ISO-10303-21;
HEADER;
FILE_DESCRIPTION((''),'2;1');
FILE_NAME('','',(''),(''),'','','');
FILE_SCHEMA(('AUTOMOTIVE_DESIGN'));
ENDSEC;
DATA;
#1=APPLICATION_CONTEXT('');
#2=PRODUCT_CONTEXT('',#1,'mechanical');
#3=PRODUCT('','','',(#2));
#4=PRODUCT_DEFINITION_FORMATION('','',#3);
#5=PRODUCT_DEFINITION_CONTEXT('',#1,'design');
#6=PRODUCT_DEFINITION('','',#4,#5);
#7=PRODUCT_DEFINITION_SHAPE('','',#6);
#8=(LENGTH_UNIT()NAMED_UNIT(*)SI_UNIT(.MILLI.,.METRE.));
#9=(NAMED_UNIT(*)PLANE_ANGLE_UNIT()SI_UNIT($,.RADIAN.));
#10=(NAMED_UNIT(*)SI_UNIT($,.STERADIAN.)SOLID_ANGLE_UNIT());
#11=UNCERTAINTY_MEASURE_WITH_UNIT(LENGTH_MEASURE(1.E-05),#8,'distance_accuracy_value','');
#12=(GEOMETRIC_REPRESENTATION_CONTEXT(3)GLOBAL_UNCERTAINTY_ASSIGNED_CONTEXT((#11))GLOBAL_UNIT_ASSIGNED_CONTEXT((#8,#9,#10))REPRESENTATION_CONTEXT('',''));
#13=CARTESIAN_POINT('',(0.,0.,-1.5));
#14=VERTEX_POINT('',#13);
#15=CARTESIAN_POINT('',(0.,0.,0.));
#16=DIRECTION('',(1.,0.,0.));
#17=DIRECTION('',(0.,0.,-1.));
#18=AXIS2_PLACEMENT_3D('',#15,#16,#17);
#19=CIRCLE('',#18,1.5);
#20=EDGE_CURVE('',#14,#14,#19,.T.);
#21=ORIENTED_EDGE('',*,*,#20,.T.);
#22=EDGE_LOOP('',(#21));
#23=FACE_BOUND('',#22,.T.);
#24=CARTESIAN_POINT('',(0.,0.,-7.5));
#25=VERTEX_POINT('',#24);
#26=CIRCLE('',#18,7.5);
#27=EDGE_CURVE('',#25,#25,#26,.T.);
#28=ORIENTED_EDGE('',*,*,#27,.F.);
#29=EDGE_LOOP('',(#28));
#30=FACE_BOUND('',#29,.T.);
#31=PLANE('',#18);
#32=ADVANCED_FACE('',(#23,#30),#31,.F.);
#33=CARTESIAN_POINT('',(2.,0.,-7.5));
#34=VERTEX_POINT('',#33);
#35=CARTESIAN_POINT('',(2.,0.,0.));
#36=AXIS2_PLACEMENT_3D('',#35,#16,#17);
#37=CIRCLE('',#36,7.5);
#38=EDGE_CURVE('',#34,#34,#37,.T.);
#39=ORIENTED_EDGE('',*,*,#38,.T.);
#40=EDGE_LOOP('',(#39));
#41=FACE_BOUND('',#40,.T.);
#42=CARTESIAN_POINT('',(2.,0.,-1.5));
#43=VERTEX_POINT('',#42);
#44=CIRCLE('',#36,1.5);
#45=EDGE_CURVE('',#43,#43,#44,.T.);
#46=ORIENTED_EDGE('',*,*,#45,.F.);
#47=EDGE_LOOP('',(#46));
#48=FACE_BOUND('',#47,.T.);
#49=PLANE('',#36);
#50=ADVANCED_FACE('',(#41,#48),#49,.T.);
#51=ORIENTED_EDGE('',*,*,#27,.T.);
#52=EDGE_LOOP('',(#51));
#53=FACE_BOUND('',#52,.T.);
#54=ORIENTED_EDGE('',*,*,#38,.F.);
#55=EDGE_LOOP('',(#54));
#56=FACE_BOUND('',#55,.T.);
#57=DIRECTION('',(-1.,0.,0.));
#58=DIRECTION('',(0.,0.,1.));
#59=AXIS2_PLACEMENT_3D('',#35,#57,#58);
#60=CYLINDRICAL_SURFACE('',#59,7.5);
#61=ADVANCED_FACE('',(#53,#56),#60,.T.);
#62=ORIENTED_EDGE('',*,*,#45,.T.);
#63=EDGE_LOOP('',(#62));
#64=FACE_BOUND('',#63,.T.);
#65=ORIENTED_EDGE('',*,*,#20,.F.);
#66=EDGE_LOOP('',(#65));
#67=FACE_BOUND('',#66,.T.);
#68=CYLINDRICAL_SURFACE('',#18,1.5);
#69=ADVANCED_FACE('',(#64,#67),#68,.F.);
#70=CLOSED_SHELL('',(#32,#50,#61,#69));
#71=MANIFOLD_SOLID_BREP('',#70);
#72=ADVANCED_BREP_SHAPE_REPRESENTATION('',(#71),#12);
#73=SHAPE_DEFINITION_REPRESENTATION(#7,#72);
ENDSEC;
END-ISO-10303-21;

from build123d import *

# Parameters (mm, degrees)
SKETCH1_R           = 7.5
BOSS_EXTRUDE1_DEPTH = 2
SKETCH2_R           = 1.5
CUT_EXTRUDE1_DEPTH  = 3


with BuildPart() as part:
    # Sketch1 → Boss-Extrude1 (new body)
    with BuildSketch(Plane(origin=(0, 0, 0), x_dir=(0, 0, -1), z_dir=(1, 0, 0))):
        Circle(SKETCH1_R)
    extrude(amount=BOSS_EXTRUDE1_DEPTH)

    # Sketch2 → Cut-Extrude1 (cut, through all)
    with BuildSketch(Plane(origin=(2, 0, 0), x_dir=(0, 0, -1), z_dir=(1, 0, 0))):
        Circle(SKETCH2_R)
    extrude(amount=-CUT_EXTRUDE1_DEPTH, mode=Mode.SUBTRACT)


solid = part.part
